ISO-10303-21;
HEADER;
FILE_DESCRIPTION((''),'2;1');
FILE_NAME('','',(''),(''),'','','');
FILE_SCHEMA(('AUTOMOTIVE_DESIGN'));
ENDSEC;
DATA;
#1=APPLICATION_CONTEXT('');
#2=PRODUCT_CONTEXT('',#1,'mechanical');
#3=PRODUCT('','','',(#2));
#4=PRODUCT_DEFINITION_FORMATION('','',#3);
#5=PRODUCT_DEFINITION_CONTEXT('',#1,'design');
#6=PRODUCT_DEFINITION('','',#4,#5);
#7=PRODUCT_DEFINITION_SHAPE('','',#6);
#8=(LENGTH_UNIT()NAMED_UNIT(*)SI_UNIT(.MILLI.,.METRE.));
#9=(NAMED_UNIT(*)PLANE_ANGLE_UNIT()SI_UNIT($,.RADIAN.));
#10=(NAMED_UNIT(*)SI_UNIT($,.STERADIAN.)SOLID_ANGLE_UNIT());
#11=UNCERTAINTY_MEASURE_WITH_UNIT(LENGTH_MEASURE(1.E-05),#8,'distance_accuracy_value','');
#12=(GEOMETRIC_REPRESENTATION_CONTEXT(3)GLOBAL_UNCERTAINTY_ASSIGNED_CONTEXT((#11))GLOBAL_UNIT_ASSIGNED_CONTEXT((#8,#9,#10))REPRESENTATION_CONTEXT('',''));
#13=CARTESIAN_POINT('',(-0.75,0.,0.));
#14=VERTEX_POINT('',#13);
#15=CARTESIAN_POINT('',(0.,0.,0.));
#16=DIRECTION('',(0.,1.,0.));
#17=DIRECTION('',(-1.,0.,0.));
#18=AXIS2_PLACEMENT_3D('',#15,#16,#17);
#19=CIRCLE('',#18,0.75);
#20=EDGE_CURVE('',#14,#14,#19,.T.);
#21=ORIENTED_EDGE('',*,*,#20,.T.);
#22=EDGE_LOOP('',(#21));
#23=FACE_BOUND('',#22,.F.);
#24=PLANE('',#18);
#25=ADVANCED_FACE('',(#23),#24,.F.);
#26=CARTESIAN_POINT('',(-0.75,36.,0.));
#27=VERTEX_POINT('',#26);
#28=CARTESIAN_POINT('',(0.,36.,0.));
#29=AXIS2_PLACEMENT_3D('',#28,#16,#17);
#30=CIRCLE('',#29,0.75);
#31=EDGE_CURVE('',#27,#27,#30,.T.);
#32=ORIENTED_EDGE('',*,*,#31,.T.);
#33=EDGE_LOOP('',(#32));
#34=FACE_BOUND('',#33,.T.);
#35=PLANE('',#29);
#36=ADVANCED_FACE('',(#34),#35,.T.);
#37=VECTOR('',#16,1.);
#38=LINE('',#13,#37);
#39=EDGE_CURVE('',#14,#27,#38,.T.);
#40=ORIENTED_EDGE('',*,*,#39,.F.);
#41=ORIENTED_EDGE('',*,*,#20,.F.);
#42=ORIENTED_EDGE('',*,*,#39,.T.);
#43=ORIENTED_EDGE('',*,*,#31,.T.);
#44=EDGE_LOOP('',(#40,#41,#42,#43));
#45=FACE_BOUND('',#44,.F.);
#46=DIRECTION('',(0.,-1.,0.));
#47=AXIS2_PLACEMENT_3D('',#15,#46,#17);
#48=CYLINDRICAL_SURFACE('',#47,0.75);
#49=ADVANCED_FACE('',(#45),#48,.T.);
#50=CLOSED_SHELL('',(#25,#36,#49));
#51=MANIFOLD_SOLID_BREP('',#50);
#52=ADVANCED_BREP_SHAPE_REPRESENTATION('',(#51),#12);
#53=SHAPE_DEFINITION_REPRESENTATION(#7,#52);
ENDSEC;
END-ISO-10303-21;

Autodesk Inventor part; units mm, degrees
ref_plane "YZ Plane" through (0, 0, 0) normal (1, 0, 0) x (0, 1, 0)
ref_plane "XZ Plane" through (0, 0, 0) normal (0, 1, 0) x (-1, 0, 0)
ref_plane "XY Plane" through (0, 0, 0) normal (0, 0, 1) x (1, 0, 0)
sketch "Skizze1" plane through (0, 0, 0) normal (0, 1, 0) x (-1, 0, 0)
  circle A0 centre (0, 0) radius 0.75
  dimension "d0" = 1.5
extrude "Extrusion1" add sketch "Skizze1" along normal blind 36
properties part number "Stift_36mm"
